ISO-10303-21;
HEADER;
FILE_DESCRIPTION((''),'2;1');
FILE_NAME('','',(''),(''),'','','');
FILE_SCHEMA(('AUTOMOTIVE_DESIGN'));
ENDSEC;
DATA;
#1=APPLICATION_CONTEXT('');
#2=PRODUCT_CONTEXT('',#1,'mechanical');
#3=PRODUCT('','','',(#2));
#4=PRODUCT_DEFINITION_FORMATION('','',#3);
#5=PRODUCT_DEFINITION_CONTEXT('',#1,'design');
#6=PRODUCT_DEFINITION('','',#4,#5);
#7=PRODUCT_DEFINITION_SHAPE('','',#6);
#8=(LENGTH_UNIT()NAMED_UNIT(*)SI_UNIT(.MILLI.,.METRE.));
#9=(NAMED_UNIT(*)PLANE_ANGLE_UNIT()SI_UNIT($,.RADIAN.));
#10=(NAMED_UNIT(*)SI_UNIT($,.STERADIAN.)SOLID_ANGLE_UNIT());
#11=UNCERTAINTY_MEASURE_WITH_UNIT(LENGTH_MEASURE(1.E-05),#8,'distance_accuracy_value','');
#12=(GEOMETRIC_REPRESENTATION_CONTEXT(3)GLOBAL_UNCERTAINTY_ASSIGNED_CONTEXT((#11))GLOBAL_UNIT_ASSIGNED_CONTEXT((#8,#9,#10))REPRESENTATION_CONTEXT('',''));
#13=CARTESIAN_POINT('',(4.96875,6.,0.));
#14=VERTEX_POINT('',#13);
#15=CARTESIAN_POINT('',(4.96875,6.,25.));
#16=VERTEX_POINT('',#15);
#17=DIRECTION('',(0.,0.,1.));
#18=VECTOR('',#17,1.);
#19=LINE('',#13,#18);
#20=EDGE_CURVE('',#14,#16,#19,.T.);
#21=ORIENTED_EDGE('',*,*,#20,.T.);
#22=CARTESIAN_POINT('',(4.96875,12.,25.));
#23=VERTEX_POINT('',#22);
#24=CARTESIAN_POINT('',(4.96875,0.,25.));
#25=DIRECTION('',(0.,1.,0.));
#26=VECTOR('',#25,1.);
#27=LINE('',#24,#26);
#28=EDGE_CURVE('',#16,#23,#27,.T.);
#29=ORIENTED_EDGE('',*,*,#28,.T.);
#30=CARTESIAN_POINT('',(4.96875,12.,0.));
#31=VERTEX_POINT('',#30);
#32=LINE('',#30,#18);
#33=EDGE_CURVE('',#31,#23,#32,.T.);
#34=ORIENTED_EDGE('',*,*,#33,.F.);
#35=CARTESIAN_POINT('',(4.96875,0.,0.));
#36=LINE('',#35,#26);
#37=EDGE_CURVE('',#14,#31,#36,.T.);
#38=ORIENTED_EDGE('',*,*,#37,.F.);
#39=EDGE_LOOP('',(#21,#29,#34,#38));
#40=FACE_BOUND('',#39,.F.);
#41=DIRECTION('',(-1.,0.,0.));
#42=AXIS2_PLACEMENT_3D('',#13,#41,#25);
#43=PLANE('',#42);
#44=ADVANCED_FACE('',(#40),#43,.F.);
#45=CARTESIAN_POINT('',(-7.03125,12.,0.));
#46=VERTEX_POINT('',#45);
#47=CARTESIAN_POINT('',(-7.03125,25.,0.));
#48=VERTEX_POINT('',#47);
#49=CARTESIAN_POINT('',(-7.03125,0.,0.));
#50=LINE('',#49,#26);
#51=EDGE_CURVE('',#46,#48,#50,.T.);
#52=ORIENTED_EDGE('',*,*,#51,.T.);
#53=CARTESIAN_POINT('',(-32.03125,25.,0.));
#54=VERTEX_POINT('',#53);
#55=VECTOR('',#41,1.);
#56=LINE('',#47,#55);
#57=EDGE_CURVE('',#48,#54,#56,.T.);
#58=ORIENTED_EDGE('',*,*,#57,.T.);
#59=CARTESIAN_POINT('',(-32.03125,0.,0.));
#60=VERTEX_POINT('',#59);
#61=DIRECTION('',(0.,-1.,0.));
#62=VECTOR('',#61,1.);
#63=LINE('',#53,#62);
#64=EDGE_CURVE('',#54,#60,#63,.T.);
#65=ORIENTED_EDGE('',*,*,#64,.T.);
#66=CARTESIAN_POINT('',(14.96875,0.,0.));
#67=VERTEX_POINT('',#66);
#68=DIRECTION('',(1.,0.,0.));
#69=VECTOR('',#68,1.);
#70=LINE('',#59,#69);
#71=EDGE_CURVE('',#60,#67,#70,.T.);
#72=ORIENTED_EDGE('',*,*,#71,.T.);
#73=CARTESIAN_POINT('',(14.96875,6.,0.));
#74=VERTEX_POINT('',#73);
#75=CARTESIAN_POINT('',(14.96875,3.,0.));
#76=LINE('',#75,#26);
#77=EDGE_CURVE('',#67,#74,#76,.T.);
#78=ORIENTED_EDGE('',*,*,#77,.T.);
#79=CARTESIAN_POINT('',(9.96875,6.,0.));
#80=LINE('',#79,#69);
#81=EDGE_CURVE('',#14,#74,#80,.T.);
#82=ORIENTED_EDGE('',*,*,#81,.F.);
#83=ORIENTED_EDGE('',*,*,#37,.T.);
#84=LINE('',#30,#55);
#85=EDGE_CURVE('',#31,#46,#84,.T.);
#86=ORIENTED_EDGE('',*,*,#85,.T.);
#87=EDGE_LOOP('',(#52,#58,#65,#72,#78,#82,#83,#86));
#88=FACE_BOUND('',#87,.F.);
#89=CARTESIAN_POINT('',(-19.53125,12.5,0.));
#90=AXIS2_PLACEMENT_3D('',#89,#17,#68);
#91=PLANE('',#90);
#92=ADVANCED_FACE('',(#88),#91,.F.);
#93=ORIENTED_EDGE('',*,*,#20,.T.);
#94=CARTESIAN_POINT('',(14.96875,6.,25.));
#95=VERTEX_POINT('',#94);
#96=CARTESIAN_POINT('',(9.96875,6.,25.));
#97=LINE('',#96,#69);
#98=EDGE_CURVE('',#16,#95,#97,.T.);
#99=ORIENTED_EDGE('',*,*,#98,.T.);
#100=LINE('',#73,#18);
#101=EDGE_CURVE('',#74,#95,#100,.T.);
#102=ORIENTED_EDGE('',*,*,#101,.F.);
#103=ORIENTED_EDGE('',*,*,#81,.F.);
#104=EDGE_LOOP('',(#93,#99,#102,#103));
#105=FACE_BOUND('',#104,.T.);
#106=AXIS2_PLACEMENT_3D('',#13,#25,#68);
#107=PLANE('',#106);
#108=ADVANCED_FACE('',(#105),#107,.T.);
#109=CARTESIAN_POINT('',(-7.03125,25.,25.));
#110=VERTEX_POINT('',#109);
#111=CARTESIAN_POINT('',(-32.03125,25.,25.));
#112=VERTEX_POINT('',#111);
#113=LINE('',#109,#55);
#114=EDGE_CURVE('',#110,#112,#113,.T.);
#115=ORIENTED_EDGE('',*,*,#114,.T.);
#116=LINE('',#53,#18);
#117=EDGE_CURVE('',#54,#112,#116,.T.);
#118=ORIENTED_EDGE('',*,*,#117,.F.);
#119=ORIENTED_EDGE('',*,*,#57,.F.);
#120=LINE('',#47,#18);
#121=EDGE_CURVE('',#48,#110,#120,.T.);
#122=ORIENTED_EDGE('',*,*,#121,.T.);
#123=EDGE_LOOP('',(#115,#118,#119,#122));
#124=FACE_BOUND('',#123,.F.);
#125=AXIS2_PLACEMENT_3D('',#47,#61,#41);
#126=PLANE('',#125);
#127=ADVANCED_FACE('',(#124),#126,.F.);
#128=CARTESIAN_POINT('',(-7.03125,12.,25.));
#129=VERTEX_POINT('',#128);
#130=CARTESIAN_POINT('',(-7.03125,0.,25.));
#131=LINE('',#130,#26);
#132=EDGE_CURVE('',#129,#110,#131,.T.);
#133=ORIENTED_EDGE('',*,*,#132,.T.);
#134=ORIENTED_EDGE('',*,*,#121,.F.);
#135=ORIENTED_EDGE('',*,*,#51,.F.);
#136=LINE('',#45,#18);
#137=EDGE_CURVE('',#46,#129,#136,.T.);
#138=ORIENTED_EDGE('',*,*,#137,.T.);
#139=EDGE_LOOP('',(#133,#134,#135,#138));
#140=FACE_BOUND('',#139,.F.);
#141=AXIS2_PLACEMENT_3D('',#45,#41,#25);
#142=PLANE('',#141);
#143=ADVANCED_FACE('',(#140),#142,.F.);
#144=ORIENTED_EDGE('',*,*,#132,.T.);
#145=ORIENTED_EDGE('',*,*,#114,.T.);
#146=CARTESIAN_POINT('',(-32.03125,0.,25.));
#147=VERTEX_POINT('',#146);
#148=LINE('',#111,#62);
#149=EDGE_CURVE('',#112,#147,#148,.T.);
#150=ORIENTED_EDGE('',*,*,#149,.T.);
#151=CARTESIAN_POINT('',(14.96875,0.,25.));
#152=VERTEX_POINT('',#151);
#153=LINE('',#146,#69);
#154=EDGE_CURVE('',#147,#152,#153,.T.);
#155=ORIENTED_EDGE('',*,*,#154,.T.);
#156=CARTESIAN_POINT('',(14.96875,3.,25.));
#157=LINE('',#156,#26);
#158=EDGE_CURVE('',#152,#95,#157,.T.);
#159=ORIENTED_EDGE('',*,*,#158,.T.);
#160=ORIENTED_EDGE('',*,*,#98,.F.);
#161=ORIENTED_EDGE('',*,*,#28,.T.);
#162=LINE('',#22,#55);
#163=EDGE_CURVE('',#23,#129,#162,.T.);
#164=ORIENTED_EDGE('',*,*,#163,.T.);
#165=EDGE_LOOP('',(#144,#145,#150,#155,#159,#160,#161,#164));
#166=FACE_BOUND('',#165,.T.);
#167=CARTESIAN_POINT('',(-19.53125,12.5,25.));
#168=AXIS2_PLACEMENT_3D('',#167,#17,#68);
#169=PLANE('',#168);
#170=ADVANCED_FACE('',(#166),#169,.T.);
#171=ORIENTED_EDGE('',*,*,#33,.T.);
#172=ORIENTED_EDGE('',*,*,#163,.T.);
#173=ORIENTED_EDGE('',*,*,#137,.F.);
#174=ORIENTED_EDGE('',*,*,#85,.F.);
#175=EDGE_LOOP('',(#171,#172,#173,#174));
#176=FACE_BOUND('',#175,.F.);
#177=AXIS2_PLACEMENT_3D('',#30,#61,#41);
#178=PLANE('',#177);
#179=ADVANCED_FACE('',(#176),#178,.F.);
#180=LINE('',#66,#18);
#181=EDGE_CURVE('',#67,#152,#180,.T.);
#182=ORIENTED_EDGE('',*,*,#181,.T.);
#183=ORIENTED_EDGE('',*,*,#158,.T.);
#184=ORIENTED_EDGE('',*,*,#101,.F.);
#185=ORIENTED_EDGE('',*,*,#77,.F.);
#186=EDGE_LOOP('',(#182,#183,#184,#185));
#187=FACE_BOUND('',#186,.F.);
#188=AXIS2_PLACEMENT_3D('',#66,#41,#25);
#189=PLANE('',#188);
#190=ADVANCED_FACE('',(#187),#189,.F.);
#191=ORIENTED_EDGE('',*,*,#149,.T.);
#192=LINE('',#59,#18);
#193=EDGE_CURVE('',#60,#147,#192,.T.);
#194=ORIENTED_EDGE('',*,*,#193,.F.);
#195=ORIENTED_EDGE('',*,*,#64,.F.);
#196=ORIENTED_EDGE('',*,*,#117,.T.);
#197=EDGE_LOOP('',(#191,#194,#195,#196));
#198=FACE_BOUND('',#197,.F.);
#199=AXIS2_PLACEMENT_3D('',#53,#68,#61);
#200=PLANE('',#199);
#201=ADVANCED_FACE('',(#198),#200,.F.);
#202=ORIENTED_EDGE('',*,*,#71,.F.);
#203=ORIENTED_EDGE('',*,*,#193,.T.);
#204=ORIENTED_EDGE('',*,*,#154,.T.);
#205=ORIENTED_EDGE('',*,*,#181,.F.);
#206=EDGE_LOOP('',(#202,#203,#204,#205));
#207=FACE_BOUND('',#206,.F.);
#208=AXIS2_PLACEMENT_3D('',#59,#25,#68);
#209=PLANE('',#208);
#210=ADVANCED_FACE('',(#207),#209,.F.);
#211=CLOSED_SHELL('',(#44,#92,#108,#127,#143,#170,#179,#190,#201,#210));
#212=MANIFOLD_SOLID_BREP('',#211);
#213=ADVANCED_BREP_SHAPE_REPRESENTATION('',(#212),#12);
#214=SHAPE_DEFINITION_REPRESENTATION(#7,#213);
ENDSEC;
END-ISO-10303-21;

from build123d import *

# Parameters (mm, degrees)
F0_W     = 10
F0_H     = 6
F1_DEPTH = 25


with BuildPart() as f1:
    # F0 (on Top) → F1 (new body)
    with BuildSketch(Plane.XY):
        Polygon((-7.03125, 25), (-32.03125, 25), (-32.03125, 0), (-7.03125, 0), (-7.03125, 12), align=None)
        Polygon((4.96875, 12), (-7.03125, 12), (-7.03125, 0), (4.96875, 0), (4.96875, 6), align=None)
        with Locations((9.96875, 3)):
            Rectangle(F0_W, F0_H)
    extrude(amount=F1_DEPTH)


solid = f1.part
